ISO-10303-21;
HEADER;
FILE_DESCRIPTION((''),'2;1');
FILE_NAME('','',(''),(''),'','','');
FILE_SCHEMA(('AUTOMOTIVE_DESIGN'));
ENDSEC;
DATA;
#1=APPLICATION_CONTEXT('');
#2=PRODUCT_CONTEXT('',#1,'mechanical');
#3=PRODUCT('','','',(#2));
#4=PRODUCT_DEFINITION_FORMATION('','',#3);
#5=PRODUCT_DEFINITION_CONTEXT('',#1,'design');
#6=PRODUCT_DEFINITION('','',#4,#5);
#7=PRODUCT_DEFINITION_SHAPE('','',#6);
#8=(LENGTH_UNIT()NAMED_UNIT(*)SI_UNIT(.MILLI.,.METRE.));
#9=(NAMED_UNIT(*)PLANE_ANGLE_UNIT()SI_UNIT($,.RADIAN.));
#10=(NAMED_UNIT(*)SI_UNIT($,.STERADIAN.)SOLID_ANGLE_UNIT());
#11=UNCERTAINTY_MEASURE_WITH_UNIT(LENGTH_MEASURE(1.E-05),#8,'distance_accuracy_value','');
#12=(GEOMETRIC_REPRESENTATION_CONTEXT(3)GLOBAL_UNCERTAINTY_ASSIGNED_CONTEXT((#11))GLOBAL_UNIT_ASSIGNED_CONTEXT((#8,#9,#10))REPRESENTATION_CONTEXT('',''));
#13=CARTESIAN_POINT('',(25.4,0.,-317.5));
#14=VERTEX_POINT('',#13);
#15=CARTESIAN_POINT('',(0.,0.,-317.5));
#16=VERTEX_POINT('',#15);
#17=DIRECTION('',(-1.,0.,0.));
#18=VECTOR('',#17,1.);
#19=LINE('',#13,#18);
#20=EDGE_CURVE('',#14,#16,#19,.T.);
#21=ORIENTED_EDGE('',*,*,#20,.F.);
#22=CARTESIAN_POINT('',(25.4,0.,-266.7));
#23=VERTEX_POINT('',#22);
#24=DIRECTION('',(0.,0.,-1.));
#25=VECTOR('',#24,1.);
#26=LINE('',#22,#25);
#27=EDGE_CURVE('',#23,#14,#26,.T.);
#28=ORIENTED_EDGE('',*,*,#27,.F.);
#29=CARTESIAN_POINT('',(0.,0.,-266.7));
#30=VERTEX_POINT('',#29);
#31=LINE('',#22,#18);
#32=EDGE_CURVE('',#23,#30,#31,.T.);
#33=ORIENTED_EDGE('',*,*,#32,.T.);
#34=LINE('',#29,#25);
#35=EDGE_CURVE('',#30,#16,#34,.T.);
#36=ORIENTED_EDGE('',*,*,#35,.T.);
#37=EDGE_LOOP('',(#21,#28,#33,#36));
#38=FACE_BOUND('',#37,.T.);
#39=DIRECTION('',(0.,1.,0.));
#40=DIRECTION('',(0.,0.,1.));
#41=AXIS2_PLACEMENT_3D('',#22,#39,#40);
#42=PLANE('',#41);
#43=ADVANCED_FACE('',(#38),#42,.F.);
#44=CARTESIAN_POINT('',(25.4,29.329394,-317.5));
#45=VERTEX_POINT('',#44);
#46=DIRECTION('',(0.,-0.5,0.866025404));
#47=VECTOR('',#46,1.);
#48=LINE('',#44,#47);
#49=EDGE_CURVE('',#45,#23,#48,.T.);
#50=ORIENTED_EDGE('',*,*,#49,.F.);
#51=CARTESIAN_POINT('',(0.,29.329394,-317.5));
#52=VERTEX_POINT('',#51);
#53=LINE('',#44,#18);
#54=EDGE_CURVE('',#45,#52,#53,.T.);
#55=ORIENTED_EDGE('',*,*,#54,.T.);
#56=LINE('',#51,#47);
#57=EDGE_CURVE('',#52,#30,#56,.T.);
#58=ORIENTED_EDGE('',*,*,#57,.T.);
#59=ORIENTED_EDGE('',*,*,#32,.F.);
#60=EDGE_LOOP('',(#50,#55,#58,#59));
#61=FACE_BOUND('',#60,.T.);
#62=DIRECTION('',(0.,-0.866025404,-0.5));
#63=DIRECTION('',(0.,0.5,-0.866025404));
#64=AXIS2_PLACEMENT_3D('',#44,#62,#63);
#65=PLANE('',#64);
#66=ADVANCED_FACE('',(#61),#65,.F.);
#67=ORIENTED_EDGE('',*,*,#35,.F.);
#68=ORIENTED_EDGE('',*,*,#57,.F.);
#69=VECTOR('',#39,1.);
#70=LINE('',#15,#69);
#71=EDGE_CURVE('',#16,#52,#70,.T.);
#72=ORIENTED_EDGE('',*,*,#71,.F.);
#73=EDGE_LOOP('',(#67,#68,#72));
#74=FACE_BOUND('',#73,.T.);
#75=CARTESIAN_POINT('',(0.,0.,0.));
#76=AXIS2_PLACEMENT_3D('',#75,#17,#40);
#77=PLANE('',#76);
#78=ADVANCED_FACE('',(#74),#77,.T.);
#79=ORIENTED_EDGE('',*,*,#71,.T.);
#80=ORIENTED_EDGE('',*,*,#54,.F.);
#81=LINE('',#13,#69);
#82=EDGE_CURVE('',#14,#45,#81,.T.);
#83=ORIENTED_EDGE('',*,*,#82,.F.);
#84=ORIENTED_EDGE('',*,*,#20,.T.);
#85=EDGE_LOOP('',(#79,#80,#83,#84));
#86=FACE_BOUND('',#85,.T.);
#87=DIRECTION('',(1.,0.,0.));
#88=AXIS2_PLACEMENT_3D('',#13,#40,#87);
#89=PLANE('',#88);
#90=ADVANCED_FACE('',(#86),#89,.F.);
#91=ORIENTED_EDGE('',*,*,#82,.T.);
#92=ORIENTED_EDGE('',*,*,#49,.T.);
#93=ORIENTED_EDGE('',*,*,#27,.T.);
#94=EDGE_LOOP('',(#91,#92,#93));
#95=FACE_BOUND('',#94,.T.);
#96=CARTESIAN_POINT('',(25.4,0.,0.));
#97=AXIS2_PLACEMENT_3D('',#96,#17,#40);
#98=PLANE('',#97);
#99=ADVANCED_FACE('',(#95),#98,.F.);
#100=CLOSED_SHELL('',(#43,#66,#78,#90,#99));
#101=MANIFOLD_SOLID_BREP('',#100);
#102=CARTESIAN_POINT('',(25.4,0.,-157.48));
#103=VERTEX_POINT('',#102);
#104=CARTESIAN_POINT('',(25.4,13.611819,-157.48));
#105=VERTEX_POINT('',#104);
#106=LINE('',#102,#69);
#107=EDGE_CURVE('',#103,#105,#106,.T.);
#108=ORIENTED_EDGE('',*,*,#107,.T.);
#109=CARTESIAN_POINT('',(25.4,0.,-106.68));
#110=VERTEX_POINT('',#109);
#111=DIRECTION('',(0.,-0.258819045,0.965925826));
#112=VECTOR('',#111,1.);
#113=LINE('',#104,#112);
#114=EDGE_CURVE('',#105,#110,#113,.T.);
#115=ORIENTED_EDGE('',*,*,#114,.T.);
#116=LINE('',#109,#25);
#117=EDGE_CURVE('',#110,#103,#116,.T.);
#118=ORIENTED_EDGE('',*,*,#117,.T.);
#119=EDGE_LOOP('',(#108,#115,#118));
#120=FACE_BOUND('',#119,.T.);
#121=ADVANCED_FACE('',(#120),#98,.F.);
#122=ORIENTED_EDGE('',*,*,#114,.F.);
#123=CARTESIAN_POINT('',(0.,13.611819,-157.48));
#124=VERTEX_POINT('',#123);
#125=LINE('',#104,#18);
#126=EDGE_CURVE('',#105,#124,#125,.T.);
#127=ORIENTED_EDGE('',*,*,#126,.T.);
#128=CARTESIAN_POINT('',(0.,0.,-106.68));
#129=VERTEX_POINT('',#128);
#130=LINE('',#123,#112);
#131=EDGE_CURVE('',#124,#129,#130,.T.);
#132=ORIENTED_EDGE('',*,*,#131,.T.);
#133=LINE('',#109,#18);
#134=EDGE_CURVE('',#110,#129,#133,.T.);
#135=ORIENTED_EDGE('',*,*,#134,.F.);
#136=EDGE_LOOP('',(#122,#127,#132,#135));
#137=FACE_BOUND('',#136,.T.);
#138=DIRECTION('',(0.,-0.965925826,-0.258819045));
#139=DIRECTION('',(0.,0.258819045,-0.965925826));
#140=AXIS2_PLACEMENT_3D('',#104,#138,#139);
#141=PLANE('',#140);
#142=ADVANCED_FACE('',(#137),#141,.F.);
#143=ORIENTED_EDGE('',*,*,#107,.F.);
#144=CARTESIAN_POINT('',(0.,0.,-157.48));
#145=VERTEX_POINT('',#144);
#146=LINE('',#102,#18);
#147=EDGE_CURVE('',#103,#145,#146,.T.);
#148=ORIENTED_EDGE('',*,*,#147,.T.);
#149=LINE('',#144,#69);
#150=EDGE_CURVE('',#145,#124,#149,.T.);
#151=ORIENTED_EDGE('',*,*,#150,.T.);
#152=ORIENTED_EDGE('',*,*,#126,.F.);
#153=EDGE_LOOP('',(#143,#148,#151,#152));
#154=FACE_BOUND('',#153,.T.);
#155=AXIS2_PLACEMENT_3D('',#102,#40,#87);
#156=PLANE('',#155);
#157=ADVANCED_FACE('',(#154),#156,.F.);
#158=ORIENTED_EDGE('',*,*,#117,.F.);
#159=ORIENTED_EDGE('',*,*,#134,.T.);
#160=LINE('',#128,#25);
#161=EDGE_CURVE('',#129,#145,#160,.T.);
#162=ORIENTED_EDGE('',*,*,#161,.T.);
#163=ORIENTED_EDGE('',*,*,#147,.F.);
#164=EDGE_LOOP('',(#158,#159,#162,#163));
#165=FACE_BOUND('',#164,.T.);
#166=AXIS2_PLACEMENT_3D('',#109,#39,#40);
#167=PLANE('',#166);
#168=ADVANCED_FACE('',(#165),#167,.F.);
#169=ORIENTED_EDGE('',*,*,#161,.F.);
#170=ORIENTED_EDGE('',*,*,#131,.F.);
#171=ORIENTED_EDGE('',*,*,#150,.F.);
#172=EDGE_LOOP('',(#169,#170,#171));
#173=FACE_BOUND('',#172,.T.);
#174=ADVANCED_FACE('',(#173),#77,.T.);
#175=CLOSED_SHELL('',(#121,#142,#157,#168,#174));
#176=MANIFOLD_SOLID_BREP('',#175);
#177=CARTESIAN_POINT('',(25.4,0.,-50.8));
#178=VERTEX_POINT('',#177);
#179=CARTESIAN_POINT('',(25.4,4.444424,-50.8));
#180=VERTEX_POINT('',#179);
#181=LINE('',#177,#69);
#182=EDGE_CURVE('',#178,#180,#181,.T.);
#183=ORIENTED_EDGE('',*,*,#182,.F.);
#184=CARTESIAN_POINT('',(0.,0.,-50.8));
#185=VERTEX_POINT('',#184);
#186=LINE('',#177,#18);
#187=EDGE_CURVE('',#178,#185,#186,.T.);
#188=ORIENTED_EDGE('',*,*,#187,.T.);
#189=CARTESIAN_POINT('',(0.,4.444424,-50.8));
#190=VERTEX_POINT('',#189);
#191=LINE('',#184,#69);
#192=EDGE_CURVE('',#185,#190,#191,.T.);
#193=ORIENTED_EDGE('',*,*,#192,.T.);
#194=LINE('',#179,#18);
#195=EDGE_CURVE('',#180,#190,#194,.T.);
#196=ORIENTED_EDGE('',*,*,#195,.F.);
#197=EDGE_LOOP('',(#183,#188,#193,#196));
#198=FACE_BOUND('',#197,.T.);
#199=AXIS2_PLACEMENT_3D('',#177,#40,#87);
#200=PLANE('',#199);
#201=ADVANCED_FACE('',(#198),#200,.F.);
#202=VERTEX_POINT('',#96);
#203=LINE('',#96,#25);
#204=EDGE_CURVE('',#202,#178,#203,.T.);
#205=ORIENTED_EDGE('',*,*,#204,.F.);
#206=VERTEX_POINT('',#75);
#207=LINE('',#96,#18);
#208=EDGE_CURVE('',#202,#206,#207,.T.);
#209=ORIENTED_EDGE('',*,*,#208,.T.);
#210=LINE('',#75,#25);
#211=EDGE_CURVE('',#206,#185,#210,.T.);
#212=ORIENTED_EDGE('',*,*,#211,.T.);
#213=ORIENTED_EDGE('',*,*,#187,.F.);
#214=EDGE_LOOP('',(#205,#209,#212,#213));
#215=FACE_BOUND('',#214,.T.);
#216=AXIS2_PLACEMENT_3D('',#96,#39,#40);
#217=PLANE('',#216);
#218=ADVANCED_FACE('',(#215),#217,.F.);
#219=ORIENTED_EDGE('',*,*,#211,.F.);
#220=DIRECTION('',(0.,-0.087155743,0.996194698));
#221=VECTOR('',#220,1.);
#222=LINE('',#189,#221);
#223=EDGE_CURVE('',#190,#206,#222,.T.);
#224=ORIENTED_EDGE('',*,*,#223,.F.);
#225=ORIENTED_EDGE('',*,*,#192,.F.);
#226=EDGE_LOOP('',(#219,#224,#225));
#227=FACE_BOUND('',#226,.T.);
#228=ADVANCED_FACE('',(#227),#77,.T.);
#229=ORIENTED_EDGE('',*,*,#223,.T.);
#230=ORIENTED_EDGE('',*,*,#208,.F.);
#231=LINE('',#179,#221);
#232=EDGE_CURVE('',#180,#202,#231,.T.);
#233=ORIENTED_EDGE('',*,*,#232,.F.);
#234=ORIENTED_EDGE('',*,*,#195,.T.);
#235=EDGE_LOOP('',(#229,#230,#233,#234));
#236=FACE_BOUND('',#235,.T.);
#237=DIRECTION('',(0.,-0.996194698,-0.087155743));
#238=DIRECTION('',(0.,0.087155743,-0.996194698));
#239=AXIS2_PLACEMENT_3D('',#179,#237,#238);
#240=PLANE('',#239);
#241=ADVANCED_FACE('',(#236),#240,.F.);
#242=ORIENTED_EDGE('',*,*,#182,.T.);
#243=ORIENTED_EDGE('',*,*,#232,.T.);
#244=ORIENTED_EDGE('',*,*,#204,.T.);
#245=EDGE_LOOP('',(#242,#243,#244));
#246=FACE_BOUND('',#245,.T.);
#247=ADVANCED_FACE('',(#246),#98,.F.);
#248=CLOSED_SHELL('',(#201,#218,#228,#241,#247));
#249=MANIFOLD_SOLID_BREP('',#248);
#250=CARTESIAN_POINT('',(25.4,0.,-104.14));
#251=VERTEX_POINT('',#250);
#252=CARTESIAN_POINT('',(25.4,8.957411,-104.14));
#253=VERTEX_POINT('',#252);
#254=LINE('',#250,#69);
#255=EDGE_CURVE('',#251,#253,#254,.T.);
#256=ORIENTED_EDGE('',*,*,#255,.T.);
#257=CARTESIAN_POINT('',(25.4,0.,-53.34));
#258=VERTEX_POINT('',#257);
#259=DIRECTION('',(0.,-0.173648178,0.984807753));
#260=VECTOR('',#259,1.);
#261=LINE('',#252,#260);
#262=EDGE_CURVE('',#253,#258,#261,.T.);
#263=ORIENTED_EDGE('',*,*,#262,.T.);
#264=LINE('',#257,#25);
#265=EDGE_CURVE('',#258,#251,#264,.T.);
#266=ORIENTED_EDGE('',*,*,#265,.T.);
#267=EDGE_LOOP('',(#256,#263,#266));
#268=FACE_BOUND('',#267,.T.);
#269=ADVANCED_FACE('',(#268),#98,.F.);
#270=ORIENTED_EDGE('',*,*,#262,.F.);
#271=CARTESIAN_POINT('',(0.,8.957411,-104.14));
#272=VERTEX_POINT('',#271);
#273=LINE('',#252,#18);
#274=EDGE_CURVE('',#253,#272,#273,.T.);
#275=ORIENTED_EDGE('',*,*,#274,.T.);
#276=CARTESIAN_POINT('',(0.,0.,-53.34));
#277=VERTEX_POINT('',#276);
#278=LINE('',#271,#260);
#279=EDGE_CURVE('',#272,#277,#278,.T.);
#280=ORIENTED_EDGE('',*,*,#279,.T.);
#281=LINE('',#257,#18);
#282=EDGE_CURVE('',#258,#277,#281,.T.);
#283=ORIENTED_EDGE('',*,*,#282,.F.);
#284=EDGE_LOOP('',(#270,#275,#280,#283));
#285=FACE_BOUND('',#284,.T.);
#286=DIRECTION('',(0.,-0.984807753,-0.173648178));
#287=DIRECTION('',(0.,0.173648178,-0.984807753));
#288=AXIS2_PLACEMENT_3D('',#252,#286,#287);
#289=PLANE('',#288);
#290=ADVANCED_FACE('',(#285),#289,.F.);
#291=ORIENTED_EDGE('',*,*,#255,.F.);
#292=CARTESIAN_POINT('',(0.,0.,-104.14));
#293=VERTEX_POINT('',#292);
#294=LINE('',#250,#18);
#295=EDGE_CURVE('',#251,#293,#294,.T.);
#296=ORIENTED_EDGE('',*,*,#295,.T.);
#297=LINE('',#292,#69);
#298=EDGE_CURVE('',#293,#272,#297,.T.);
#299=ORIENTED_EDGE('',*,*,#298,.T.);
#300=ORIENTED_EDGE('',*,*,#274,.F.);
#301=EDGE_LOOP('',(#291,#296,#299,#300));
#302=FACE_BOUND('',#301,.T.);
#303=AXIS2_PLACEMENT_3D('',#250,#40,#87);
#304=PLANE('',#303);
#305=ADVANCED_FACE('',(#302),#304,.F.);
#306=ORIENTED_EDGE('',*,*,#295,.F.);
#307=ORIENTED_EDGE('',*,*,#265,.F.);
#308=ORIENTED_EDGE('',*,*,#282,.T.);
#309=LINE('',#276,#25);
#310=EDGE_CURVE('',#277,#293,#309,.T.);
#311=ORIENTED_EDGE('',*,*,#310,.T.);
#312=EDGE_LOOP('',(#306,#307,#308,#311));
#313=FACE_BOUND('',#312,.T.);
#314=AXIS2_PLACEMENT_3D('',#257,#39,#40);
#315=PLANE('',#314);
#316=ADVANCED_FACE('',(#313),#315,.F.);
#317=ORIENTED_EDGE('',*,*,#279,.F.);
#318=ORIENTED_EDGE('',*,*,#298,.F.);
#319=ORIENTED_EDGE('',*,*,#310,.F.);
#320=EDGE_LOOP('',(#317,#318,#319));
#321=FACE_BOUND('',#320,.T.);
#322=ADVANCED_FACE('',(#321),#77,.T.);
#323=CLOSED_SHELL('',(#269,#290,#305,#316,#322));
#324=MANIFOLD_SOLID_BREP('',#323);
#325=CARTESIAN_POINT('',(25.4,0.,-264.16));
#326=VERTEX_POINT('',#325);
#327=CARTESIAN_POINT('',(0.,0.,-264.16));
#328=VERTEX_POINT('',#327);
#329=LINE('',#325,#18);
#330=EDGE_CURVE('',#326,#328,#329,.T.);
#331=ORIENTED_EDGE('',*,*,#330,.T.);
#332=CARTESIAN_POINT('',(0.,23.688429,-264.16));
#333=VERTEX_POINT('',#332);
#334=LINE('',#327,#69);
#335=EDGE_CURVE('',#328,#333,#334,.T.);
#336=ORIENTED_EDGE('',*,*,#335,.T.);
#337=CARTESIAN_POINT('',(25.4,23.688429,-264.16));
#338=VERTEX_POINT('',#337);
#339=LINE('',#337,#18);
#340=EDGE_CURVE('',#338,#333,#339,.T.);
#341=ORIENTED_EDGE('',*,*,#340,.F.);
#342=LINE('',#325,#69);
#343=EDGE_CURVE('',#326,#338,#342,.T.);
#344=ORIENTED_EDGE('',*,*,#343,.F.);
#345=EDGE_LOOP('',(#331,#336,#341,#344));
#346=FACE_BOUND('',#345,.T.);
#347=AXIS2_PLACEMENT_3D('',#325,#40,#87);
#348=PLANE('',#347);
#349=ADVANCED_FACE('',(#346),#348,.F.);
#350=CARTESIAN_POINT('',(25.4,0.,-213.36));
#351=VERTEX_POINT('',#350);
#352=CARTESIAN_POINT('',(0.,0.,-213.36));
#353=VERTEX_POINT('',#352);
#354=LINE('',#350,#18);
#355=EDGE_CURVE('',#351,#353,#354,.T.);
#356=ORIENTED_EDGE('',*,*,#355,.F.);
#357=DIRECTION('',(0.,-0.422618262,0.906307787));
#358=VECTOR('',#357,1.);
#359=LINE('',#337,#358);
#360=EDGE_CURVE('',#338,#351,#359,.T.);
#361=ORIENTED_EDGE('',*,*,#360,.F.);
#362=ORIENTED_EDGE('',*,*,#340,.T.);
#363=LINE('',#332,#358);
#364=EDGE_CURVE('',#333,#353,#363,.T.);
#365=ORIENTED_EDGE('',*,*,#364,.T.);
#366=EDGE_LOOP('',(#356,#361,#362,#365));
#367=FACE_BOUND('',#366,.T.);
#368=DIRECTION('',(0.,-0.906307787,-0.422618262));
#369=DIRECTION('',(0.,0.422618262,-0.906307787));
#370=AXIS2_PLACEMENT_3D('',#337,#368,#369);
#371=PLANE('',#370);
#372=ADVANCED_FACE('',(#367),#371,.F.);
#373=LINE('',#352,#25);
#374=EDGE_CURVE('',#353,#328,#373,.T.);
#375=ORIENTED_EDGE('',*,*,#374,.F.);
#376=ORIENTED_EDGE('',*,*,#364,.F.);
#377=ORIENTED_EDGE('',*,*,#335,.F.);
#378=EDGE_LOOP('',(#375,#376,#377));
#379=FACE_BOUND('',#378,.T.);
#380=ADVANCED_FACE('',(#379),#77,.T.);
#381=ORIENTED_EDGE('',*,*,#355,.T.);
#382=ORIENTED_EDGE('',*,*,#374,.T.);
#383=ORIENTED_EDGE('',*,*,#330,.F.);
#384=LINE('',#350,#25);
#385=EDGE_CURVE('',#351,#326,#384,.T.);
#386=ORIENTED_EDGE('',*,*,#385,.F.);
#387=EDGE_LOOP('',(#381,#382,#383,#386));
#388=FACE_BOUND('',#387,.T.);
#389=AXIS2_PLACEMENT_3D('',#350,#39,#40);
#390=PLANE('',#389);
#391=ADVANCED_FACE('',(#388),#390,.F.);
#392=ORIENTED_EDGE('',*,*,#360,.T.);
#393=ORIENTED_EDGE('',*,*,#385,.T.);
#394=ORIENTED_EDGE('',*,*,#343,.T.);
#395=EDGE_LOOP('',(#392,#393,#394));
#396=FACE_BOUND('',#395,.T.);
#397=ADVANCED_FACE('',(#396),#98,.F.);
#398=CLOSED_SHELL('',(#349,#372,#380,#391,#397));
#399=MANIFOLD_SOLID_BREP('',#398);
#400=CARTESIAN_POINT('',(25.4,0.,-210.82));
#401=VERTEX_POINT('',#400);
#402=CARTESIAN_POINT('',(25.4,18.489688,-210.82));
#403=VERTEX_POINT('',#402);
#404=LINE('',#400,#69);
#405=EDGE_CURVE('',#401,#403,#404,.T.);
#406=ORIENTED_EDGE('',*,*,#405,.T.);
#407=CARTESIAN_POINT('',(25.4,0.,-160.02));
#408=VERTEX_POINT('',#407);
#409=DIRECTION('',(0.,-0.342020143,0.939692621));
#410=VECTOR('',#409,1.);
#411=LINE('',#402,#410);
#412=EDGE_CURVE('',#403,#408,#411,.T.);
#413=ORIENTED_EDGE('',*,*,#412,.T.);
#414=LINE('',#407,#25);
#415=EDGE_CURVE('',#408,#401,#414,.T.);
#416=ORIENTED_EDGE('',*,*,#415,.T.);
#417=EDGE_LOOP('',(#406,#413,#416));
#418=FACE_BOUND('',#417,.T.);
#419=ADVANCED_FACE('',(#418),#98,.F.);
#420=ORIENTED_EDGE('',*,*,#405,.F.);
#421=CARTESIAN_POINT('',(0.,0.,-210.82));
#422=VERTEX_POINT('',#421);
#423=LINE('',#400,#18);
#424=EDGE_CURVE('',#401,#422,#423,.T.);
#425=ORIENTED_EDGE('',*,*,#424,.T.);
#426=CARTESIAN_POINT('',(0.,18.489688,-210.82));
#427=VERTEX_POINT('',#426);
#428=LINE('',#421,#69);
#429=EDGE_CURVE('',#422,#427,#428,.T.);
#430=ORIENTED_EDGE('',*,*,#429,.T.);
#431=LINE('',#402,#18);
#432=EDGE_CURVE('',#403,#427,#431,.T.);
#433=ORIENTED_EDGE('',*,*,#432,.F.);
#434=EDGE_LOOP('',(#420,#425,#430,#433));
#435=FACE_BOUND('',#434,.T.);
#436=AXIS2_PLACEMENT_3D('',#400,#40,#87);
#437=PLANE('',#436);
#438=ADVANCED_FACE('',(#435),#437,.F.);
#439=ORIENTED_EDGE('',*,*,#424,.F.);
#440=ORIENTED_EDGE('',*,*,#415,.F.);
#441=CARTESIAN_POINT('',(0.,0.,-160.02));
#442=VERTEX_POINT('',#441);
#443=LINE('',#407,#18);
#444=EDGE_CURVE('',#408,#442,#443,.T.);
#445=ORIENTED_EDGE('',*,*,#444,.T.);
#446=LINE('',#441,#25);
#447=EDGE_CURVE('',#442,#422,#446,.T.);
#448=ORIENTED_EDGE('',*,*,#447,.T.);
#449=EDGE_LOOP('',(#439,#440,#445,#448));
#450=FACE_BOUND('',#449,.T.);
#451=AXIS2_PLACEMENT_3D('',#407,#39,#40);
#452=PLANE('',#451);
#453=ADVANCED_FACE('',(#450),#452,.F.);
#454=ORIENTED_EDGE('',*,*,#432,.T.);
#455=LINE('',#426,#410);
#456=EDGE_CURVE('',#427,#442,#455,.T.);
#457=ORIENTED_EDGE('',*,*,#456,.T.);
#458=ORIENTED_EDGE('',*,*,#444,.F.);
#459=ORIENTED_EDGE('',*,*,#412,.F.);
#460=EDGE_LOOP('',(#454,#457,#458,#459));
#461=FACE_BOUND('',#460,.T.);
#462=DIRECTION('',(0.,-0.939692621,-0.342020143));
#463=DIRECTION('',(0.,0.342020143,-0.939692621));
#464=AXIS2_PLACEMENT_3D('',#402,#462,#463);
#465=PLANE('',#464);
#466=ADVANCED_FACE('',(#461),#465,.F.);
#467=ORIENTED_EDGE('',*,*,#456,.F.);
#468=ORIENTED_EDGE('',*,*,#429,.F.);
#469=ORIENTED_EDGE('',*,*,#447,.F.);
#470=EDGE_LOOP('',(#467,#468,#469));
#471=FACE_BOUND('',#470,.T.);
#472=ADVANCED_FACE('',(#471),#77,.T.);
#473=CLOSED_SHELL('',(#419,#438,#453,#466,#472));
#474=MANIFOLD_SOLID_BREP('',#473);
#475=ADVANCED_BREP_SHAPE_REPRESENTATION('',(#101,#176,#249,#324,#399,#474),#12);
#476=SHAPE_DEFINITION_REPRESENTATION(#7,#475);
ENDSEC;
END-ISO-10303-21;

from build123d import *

# Parameters (mm, degrees)
BOSS_EXTRUDE1_DEPTH   = 25.4
BOSS_EXTRUDE1_2_DEPTH = 25.4
BOSS_EXTRUDE1_3_DEPTH = 25.4
BOSS_EXTRUDE1_4_DEPTH = 25.4
BOSS_EXTRUDE1_5_DEPTH = 25.4
BOSS_EXTRUDE1_6_DEPTH = 25.4


with BuildPart() as part:
    # Sketch1 → Boss-Extrude1 (new body)
    with BuildSketch(Plane(origin=(0, 0, 0), x_dir=(0, 0, -1), z_dir=(1, 0, 0))):
        Polygon((0, 0), (50.8, 0), (50.8, 4.444424107), align=None)
    extrude(amount=BOSS_EXTRUDE1_DEPTH)


with BuildPart() as body_2:
    # Sketch1 → Boss-Extrude1 2 (new body)
    with BuildSketch(Plane(origin=(0, 0, 0), x_dir=(0, 0, -1), z_dir=(1, 0, 0))):
        Polygon((53.34, 0), (104.14, 0), (104.14, 8.95741062), align=None)
    extrude(amount=BOSS_EXTRUDE1_2_DEPTH)


with BuildPart() as body_3:
    # Sketch1 → Boss-Extrude1 3 (new body)
    with BuildSketch(Plane(origin=(0, 0, 0), x_dir=(0, 0, -1), z_dir=(1, 0, 0))):
        Polygon((106.68, 0), (157.48, 0), (157.48, 13.611818976), align=None)
    extrude(amount=BOSS_EXTRUDE1_3_DEPTH)


with BuildPart() as body_4:
    # Sketch1 → Boss-Extrude1 4 (new body)
    with BuildSketch(Plane(origin=(0, 0, 0), x_dir=(0, 0, -1), z_dir=(1, 0, 0))):
        Polygon((160.02, 0), (210.82, 0), (210.82, 18.489687901), align=None)
    extrude(amount=BOSS_EXTRUDE1_4_DEPTH)


with BuildPart() as body_5:
    # Sketch1 → Boss-Extrude1 5 (new body)
    with BuildSketch(Plane(origin=(0, 0, 0), x_dir=(0, 0, -1), z_dir=(1, 0, 0))):
        Polygon((213.36, 0), (264.16, 0), (264.16, 23.688429034), align=None)
    extrude(amount=BOSS_EXTRUDE1_5_DEPTH)


with BuildPart() as body_6:
    # Sketch1 → Boss-Extrude1 6 (new body)
    with BuildSketch(Plane(origin=(0, 0, 0), x_dir=(0, 0, -1), z_dir=(1, 0, 0))):
        Polygon((266.7, 0), (317.5, 0), (317.5, 29.329393675), align=None)
    extrude(amount=BOSS_EXTRUDE1_6_DEPTH)


solid = Compound([part.part, body_2.part, body_3.part, body_4.part, body_5.part, body_6.part])
